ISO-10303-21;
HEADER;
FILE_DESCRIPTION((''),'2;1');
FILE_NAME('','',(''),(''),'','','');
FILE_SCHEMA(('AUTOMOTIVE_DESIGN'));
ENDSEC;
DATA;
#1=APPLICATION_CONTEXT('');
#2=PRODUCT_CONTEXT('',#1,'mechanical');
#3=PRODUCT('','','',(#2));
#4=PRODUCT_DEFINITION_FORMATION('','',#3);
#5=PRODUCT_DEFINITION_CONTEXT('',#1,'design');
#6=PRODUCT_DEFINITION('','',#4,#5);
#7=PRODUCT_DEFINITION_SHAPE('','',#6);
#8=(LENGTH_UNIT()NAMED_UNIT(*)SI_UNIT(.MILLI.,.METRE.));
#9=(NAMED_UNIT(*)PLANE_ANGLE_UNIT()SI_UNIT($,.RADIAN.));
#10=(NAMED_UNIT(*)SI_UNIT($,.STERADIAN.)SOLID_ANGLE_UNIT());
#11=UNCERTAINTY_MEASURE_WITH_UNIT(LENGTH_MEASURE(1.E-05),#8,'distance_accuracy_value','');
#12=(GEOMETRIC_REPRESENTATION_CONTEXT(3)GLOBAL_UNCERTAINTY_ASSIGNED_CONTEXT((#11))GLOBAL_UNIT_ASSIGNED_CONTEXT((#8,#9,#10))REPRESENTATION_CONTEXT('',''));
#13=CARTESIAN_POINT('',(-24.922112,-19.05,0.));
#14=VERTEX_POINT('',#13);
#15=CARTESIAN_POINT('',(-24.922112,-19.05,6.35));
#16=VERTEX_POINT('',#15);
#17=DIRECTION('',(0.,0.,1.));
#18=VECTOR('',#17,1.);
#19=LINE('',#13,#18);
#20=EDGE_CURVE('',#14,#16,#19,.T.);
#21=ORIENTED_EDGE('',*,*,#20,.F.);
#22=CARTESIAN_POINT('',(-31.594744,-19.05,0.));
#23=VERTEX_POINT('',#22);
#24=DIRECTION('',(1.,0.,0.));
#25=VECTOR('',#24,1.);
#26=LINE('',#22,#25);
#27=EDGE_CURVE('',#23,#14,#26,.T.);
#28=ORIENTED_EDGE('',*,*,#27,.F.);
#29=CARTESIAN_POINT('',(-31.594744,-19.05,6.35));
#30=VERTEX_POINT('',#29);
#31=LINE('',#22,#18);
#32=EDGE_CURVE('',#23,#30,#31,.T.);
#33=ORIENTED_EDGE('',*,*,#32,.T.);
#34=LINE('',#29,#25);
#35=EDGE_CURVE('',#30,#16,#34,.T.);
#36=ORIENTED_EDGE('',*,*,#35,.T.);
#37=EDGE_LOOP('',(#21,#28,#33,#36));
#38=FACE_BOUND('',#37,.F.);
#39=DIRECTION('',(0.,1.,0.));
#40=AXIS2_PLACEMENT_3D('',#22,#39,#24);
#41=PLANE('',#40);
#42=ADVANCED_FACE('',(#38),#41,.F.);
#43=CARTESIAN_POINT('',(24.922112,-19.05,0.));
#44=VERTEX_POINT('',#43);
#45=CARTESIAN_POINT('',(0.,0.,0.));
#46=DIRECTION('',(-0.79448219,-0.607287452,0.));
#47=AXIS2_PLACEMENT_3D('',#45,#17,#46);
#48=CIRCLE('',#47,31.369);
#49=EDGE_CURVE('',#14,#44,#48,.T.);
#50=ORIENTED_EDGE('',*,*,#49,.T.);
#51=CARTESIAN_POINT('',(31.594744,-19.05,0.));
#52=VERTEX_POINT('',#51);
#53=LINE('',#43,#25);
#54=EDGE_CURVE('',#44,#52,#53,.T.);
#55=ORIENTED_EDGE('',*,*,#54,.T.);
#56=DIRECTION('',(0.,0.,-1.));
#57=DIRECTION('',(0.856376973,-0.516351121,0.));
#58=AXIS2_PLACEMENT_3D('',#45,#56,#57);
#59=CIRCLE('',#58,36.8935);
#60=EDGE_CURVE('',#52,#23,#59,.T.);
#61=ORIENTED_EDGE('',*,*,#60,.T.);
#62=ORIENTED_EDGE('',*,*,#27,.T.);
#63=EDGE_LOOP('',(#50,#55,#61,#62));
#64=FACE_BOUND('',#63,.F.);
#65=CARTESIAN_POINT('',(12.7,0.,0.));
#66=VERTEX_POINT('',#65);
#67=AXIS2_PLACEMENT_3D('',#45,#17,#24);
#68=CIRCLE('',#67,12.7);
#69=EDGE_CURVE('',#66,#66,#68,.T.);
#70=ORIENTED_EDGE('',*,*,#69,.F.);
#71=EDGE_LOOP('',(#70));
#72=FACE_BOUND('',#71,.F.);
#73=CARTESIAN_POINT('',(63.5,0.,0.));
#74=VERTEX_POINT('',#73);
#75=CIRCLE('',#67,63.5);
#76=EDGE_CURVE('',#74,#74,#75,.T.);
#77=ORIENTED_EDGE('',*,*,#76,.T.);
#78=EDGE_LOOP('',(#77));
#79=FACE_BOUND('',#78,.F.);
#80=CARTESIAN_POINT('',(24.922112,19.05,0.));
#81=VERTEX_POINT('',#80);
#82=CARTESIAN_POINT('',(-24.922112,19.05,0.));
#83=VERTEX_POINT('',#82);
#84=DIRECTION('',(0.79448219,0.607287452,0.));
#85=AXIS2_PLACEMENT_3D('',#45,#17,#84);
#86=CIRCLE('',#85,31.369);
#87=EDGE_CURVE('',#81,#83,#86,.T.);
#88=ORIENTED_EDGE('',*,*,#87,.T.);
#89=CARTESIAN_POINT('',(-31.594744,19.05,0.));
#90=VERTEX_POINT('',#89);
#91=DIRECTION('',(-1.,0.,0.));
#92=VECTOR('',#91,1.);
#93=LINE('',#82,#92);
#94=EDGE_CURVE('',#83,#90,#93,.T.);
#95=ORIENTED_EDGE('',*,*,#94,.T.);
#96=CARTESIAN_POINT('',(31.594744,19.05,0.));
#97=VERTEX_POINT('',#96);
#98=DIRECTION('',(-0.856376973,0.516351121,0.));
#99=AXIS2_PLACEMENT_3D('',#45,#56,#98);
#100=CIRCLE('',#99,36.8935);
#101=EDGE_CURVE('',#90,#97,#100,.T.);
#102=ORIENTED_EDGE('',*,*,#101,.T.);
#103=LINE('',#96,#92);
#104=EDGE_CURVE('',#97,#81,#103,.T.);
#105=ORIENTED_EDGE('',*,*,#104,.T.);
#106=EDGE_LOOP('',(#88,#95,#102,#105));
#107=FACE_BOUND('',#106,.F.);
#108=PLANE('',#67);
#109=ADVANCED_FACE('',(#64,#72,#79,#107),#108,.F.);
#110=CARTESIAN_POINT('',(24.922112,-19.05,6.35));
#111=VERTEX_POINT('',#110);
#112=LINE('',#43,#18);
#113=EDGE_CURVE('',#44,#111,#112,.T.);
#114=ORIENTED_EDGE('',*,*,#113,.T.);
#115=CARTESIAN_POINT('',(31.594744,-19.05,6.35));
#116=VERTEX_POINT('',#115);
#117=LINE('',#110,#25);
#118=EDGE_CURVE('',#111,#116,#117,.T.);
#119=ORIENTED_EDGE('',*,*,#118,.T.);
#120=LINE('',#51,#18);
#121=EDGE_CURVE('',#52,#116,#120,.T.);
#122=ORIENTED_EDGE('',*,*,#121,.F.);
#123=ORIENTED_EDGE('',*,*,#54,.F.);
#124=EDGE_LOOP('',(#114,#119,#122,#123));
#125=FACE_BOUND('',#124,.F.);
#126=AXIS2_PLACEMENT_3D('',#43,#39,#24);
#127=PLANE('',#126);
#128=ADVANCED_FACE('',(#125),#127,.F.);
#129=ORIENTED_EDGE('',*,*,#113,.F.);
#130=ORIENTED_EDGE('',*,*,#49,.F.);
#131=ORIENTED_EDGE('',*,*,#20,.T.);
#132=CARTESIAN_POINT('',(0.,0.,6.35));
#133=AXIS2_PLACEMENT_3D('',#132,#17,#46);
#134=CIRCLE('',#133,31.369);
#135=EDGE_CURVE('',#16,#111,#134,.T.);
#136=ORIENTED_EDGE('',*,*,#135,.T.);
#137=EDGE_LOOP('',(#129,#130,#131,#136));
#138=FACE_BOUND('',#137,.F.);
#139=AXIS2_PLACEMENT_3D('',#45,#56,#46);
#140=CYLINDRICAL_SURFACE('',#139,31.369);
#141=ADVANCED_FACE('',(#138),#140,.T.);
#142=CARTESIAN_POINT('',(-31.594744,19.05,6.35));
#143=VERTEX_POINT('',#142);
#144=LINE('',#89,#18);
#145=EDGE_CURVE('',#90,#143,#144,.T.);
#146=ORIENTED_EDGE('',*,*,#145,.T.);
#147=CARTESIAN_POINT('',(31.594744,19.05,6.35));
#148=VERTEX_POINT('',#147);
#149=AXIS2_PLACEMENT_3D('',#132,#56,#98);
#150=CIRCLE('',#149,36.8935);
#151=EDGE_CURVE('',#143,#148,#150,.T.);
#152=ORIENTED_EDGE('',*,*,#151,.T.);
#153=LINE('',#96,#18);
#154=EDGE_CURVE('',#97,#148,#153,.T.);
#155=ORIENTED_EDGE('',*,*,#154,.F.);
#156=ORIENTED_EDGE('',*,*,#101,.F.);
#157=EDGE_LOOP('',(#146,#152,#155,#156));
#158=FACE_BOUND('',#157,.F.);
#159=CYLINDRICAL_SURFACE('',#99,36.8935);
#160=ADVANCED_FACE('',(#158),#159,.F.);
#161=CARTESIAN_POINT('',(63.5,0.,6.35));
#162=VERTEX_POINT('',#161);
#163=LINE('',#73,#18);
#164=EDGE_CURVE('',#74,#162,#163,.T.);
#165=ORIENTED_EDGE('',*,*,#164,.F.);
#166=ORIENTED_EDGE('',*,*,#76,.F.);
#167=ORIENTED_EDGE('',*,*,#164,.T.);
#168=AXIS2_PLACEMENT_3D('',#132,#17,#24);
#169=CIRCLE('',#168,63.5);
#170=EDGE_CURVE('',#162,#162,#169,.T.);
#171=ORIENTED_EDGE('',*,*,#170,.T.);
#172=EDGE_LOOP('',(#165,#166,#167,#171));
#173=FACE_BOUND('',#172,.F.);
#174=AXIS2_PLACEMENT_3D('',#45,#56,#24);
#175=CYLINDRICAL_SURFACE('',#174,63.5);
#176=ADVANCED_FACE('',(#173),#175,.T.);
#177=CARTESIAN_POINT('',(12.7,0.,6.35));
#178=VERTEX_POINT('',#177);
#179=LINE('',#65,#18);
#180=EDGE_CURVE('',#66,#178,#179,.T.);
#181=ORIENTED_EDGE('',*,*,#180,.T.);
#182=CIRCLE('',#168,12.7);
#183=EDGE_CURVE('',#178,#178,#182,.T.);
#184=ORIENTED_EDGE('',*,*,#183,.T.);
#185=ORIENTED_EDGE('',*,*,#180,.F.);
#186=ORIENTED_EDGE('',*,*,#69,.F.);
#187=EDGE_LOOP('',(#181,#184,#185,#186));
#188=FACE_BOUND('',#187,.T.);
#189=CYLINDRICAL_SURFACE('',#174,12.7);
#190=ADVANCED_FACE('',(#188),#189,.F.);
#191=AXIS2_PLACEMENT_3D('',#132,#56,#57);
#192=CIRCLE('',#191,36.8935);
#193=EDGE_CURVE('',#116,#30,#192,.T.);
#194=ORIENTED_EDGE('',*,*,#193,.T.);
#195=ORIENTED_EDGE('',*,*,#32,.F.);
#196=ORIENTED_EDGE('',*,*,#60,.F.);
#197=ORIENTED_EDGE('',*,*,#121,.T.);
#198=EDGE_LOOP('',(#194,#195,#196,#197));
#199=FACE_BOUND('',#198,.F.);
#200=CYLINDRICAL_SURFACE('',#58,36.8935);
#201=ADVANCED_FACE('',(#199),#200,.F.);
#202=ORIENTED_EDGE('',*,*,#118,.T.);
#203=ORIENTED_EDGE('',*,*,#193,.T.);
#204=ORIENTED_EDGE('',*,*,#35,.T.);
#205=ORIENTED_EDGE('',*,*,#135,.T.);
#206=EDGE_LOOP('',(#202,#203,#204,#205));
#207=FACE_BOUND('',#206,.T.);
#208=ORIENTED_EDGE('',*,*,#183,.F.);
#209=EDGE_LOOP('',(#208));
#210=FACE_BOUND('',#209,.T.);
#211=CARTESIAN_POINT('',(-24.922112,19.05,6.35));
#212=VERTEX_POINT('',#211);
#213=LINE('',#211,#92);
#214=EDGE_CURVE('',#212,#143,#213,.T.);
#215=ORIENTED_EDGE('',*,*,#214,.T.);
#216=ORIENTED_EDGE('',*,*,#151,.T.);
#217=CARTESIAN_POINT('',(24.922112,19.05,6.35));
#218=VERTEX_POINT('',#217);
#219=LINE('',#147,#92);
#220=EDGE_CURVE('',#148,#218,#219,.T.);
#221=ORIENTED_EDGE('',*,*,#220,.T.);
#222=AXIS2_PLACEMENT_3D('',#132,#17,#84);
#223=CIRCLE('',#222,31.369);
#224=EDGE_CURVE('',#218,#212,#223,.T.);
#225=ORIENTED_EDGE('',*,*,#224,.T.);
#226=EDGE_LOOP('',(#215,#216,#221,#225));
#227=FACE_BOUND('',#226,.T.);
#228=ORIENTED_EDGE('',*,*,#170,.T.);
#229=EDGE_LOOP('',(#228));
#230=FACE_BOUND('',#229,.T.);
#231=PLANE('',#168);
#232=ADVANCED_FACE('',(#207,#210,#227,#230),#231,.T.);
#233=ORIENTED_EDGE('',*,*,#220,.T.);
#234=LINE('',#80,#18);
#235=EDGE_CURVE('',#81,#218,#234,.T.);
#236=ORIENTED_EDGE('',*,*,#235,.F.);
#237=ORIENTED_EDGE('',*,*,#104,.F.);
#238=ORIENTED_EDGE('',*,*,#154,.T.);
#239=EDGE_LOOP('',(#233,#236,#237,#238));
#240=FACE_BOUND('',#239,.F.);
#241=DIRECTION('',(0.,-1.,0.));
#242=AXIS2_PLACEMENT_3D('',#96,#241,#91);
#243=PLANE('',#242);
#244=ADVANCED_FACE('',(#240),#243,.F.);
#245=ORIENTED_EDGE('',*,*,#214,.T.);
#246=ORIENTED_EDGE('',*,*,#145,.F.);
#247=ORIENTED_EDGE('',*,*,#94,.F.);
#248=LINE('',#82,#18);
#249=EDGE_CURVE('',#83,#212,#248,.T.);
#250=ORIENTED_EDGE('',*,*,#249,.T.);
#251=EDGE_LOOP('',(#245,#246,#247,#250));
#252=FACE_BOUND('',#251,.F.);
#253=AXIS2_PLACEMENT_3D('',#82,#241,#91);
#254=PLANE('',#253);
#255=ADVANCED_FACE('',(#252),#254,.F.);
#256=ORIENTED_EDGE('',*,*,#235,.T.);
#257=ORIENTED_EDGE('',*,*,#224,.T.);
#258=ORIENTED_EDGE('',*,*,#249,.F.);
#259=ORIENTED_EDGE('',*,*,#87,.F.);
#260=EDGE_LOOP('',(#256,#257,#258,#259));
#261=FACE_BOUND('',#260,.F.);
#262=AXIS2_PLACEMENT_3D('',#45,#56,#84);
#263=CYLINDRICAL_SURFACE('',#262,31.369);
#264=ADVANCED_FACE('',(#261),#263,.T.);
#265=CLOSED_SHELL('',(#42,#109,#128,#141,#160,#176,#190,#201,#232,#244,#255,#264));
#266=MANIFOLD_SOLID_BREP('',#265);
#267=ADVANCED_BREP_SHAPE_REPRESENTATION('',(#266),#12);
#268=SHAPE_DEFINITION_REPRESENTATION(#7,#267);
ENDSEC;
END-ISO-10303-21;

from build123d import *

# Parameters (mm, degrees)
F0_R     = 63.5
F0_R_2   = 12.7
F1_DEPTH = 6.35


with BuildPart() as f1:
    # F0 (on Top) → F1 (new body)
    with BuildSketch(Plane.XY):
        Circle(F0_R)
        with BuildLine():
            ThreePointArc((-24.922112, -19.05), (0, -31.369), (24.922112, -19.05))
            Line((24.922112, -19.05), (31.594744, -19.05))
            ThreePointArc((31.594744, -19.05), (0, -36.8935), (-31.594744, -19.05))
            Line((-31.594744, -19.05), (-24.922112, -19.05))
        make_face(mode=Mode.SUBTRACT)
        with BuildLine():
            ThreePointArc((-31.594744, 19.05), (0, 36.8935), (31.594744, 19.05))
            Line((31.594744, 19.05), (24.922112, 19.05))
            ThreePointArc((24.922112, 19.05), (0, 31.369), (-24.922112, 19.05))
            Line((-24.922112, 19.05), (-31.594744, 19.05))
        make_face(mode=Mode.SUBTRACT)
        Circle(F0_R_2, mode=Mode.SUBTRACT)
    extrude(amount=F1_DEPTH)


solid = f1.part
